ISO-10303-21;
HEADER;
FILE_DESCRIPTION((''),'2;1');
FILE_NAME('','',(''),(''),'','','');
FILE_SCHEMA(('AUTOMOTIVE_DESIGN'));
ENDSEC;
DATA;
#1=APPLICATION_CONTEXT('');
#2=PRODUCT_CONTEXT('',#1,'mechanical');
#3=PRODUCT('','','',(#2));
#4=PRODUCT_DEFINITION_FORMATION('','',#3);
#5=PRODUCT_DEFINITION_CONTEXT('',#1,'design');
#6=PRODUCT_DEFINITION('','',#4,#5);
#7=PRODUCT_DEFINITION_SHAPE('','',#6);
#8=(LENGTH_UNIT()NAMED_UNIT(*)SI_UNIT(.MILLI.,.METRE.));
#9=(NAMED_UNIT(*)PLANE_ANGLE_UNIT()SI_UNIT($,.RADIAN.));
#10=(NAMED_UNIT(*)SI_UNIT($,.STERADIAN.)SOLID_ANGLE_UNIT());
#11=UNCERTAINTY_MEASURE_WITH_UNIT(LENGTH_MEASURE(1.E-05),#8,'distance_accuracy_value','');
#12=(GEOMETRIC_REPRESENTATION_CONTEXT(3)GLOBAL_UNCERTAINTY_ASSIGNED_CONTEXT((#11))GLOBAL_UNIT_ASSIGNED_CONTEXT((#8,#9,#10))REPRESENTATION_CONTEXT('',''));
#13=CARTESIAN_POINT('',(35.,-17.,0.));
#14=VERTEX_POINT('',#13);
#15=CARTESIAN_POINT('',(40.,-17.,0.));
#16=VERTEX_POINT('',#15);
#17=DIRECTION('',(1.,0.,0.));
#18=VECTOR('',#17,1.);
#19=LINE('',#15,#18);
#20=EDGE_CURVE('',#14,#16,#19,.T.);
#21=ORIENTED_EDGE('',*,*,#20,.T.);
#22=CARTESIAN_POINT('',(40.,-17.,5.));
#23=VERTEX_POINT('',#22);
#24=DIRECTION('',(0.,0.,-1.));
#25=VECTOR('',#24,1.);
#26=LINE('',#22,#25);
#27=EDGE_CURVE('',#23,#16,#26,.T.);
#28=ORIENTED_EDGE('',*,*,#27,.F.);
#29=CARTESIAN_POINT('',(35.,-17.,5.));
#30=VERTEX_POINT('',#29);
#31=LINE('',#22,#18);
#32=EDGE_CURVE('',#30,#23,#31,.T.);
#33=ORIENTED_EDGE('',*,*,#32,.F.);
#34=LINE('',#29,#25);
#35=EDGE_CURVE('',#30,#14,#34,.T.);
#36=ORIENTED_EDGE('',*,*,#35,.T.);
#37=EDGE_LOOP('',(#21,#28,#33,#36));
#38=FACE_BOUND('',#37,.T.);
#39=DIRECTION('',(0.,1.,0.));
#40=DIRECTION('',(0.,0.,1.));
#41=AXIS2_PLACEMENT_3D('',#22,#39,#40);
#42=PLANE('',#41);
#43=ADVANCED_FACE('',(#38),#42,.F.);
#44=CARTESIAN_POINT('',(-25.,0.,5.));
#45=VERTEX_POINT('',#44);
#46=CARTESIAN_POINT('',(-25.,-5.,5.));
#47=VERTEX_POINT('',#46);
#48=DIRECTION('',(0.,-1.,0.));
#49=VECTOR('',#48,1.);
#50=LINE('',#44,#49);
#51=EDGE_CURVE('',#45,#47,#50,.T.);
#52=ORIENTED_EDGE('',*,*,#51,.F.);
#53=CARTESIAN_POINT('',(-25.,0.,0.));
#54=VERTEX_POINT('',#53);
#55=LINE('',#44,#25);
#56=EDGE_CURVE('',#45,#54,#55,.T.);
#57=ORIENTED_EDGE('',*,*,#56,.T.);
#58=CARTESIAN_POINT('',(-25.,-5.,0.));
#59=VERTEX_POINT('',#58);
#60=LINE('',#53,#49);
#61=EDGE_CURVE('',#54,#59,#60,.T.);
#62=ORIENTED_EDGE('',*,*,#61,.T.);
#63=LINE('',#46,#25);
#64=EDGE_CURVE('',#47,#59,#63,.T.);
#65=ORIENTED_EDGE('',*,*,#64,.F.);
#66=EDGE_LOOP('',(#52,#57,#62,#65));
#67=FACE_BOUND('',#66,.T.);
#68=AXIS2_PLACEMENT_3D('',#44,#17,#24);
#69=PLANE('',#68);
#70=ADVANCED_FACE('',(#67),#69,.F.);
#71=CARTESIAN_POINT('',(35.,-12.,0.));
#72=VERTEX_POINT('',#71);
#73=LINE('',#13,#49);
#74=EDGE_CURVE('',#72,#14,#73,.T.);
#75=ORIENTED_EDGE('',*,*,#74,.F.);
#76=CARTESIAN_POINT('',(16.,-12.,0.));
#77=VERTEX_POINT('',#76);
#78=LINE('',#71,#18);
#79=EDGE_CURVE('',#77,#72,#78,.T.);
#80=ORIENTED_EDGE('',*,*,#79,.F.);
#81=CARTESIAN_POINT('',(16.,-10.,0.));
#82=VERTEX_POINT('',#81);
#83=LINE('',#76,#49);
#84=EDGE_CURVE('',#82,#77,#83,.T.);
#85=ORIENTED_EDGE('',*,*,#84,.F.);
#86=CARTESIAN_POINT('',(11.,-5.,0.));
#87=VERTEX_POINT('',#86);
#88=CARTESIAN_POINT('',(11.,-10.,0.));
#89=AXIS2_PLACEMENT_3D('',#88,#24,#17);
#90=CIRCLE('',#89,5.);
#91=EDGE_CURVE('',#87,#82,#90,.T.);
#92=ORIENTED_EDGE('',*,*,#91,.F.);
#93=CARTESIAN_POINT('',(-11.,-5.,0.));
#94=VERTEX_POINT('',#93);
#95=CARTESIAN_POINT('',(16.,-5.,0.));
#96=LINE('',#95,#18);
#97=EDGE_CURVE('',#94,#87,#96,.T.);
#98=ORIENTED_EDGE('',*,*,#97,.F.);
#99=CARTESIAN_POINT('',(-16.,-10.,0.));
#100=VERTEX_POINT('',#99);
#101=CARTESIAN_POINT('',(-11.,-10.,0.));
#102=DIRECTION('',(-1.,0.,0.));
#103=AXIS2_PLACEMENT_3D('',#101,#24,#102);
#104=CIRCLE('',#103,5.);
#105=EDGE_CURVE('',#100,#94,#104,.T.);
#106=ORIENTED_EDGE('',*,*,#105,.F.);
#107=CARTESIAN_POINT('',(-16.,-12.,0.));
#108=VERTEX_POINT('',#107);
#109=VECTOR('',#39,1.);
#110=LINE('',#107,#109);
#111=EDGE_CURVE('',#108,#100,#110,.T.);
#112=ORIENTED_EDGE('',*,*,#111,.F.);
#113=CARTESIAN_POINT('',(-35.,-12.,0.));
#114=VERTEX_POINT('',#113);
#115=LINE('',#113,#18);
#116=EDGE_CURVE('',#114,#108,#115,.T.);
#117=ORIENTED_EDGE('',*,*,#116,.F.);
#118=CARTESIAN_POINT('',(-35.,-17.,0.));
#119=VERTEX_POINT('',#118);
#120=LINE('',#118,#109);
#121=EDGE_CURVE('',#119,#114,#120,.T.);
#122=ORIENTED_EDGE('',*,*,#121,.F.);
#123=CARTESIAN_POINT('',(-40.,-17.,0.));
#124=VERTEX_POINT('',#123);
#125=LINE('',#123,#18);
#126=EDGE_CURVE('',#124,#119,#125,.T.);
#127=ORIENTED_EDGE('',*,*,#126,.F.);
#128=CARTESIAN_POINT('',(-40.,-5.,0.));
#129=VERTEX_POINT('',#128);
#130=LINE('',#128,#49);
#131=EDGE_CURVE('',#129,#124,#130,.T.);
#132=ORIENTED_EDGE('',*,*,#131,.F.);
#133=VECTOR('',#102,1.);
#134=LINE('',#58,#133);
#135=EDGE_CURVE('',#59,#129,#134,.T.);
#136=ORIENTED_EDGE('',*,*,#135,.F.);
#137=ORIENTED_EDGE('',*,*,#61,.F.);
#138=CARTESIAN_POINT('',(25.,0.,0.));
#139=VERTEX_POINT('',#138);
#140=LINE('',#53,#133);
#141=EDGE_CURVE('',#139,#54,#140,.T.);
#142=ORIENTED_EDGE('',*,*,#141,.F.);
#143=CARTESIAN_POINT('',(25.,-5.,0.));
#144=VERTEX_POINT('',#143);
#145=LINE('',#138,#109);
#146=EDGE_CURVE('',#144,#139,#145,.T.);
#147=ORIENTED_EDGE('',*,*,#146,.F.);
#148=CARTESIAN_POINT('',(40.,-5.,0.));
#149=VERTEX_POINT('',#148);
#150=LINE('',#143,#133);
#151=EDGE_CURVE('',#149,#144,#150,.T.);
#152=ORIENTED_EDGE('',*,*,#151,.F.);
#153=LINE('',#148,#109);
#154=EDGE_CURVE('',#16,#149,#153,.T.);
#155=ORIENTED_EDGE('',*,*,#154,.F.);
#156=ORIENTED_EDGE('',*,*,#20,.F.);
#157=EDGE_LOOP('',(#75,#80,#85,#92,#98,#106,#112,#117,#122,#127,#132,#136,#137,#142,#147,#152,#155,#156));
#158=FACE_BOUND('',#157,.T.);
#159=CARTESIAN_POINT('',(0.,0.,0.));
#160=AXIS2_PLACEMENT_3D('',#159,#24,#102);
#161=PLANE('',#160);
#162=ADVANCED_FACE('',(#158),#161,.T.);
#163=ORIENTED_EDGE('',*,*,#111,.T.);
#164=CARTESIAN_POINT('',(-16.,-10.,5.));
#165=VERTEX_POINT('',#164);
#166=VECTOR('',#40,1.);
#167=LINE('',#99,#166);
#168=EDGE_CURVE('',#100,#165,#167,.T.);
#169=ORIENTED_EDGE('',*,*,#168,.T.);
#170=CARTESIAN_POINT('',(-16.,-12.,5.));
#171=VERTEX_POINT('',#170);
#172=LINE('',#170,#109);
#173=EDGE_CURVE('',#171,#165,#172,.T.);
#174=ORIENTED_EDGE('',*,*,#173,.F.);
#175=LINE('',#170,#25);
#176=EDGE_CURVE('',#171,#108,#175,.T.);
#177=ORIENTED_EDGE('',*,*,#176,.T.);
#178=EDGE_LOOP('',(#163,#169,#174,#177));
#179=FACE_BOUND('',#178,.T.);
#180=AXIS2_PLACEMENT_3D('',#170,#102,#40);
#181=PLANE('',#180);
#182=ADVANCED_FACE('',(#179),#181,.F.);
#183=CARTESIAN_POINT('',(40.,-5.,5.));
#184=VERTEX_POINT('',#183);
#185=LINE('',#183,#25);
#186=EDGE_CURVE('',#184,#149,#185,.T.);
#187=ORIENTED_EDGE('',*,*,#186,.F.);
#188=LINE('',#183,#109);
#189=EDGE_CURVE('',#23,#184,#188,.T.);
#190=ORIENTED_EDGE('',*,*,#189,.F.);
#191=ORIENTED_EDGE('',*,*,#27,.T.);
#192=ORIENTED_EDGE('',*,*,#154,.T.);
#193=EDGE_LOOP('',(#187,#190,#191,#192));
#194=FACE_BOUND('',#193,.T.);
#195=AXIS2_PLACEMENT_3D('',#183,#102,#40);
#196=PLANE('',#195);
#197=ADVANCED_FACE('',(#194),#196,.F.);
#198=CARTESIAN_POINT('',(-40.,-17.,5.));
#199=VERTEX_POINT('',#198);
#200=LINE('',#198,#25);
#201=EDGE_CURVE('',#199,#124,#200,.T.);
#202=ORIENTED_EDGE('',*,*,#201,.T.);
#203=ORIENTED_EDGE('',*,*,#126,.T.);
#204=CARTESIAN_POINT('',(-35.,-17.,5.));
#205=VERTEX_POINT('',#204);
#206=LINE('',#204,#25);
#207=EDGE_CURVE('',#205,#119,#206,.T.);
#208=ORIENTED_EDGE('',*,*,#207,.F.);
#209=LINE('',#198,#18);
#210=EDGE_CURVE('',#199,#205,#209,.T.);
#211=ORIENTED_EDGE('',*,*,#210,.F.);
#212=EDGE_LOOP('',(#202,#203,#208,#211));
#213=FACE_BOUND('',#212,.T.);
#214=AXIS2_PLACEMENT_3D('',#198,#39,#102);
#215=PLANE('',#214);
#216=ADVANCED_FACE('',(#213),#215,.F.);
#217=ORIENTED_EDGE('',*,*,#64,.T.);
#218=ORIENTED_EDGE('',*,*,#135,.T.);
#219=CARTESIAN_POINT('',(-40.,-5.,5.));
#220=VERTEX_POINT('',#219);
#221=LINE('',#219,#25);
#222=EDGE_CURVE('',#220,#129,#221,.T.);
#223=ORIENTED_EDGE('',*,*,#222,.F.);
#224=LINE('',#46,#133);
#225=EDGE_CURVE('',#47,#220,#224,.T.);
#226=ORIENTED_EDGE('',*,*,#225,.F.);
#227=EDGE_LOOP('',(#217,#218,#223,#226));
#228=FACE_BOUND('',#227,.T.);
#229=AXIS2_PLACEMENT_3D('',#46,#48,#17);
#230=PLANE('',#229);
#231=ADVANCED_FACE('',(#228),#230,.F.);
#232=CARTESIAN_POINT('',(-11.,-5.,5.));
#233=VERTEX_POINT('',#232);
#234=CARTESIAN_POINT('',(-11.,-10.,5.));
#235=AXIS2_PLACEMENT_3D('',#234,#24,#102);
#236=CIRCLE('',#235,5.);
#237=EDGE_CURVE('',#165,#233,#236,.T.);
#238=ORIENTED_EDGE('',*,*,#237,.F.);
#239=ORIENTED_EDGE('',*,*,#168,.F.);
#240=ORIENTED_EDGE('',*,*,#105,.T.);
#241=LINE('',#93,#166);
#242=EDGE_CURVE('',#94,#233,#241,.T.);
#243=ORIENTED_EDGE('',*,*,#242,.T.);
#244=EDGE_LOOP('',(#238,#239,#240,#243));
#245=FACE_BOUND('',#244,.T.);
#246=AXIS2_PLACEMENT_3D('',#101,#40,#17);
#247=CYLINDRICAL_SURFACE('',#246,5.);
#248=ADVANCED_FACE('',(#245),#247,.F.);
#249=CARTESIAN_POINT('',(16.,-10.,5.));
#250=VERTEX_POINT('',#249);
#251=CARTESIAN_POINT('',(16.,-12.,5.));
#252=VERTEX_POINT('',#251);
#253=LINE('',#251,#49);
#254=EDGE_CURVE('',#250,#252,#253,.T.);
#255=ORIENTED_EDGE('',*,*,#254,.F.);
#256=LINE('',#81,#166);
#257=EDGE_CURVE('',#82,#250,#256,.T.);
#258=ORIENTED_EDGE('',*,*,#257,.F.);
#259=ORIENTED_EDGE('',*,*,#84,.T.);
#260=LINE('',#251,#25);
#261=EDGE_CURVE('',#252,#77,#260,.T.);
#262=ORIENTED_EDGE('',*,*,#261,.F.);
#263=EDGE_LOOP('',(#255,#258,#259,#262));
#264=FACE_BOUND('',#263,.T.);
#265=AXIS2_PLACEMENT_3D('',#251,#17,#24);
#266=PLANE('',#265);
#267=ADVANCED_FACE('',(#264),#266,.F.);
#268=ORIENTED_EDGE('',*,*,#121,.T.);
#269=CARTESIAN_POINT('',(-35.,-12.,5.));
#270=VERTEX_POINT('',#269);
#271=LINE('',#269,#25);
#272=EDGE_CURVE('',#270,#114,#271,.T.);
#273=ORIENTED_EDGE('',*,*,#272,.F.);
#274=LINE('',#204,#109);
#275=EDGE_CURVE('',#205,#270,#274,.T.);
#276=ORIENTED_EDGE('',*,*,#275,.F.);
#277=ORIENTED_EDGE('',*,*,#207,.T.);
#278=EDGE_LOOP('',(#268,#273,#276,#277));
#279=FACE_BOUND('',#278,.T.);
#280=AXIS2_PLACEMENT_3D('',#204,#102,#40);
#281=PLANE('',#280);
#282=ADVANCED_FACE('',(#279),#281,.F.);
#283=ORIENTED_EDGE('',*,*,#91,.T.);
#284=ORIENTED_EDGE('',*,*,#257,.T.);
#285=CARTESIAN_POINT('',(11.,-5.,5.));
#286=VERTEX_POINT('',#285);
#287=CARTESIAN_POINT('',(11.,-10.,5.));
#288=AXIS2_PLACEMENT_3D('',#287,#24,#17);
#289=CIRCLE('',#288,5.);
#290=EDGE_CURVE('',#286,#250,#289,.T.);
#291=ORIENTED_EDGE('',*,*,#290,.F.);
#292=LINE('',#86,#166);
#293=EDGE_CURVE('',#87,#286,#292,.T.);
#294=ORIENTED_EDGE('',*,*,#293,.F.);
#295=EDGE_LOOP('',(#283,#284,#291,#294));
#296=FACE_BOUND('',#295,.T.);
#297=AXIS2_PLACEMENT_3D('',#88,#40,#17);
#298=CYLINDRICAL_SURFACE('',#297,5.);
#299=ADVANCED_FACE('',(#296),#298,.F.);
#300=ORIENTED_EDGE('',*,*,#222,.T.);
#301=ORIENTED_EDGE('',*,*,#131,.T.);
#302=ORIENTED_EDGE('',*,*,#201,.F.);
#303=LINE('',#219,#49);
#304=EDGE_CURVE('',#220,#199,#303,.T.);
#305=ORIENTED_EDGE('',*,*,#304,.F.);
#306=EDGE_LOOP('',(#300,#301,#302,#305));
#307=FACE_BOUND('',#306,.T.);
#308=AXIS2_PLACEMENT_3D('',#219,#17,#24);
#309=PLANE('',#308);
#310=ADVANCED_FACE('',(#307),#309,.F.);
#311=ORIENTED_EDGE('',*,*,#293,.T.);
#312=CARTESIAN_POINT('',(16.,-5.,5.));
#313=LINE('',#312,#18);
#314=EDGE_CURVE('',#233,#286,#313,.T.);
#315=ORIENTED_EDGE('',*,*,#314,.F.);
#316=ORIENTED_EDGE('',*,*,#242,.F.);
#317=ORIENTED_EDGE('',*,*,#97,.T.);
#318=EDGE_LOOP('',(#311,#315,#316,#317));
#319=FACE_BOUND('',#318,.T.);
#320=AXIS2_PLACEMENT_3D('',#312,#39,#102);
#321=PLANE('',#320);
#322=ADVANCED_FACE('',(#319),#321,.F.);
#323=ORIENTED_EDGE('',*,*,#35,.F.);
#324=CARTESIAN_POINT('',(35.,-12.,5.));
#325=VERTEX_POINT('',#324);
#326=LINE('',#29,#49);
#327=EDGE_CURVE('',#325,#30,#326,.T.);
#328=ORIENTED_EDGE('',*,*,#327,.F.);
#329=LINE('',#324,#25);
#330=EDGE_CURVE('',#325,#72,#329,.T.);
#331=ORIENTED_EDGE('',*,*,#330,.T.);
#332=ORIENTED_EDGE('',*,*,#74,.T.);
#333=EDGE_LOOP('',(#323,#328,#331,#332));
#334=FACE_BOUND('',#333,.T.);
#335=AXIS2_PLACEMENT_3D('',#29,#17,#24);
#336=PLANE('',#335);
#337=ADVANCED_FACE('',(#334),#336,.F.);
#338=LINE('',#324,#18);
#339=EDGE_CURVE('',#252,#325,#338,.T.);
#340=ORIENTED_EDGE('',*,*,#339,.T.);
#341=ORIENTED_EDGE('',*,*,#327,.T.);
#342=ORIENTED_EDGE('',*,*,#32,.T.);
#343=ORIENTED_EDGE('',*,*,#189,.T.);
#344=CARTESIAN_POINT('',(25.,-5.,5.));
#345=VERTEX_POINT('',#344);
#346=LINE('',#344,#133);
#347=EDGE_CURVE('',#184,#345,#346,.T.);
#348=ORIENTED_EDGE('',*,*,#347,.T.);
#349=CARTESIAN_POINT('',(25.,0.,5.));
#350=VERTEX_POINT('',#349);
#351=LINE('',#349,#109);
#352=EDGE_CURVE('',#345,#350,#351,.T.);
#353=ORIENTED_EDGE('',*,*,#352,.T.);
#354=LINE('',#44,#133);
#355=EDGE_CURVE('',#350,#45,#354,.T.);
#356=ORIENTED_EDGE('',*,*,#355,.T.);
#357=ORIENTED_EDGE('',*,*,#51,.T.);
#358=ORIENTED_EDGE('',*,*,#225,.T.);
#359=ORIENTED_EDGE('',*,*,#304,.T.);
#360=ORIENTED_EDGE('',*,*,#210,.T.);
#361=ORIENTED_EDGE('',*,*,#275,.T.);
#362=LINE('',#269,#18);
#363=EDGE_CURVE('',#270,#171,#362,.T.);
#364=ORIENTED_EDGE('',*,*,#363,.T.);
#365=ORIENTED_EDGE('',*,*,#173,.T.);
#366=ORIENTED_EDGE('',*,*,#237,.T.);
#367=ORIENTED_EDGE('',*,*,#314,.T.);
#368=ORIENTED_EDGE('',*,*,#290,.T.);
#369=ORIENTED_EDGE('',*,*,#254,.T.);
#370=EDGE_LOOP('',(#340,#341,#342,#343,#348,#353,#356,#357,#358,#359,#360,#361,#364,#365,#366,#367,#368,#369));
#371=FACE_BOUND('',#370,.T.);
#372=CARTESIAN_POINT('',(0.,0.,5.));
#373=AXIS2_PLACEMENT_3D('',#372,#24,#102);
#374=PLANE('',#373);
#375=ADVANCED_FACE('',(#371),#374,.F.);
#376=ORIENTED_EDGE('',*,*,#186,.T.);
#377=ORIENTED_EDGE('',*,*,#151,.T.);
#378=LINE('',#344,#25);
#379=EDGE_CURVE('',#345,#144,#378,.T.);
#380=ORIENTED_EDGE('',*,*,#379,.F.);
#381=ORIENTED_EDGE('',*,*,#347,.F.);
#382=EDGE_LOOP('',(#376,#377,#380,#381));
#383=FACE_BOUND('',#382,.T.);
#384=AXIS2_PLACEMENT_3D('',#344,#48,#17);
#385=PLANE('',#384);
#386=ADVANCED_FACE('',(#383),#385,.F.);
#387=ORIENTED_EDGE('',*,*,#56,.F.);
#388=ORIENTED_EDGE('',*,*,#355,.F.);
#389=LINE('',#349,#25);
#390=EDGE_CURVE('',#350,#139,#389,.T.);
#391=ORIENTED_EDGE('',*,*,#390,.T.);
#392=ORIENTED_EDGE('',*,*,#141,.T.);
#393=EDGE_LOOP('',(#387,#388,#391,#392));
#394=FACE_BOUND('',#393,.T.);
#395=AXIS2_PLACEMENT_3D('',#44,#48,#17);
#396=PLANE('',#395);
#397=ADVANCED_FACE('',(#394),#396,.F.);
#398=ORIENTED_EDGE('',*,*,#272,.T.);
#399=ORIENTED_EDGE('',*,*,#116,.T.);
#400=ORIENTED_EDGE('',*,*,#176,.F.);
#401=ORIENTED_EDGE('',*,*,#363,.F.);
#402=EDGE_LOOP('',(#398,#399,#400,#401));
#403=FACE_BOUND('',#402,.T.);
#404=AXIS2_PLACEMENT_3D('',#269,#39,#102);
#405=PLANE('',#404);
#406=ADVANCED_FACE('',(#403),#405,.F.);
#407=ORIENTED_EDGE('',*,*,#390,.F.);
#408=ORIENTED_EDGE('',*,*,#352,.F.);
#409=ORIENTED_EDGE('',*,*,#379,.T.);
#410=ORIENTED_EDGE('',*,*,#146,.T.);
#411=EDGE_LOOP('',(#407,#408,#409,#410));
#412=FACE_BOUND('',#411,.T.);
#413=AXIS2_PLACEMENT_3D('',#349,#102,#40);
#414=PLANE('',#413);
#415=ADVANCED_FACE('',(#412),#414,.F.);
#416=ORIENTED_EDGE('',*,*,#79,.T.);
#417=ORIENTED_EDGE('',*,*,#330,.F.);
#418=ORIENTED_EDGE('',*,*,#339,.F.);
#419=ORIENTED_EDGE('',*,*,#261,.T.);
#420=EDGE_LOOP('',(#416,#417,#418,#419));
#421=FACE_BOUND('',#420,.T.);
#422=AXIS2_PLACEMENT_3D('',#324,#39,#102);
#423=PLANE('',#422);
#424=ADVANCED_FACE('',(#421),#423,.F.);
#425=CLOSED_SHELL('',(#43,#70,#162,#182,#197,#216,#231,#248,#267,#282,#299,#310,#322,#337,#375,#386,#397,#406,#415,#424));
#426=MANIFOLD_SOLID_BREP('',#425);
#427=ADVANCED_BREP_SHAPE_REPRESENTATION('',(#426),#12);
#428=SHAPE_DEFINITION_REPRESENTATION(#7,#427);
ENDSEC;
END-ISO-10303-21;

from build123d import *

# Parameters (mm, degrees)
BOSS_EXTRU_1_DEPTH = 5
BOSS_EXTRU_2_DEPTH = 5


with BuildPart() as part:
    # Esquisse1 → Boss.-Extru.1 (new body)
    with BuildSketch(Plane.XY):
        Polygon((-16, -12), (-16, -5), (16, -5), (16, -12), (35, -12), (35, -17), (40, -17), (40, -5), (25, -5), (25, 0), (-25, 0), (-25, -5), (-40, -5), (-40, -17), (-35, -17), (-35, -12), align=None)
    extrude(amount=BOSS_EXTRU_1_DEPTH)

    # Esquisse2 → Boss.-Extru.2 (add)
    with BuildSketch(Plane.XY.offset(5)):
        with BuildLine():
            Line((-16, -10), (-16, -3.900376605))
            Line((-16, -3.900376605), (16, -3.900376605))
            Line((16, -3.900376605), (16, -10))
            ThreePointArc((16, -10), (14.535533906, -6.464466094), (11, -5))
            Line((11, -5), (-11, -5))
            ThreePointArc((-11, -5), (-14.535533906, -6.464466094), (-16, -10))
        make_face()
    extrude(amount=-BOSS_EXTRU_2_DEPTH)


solid = part.part
